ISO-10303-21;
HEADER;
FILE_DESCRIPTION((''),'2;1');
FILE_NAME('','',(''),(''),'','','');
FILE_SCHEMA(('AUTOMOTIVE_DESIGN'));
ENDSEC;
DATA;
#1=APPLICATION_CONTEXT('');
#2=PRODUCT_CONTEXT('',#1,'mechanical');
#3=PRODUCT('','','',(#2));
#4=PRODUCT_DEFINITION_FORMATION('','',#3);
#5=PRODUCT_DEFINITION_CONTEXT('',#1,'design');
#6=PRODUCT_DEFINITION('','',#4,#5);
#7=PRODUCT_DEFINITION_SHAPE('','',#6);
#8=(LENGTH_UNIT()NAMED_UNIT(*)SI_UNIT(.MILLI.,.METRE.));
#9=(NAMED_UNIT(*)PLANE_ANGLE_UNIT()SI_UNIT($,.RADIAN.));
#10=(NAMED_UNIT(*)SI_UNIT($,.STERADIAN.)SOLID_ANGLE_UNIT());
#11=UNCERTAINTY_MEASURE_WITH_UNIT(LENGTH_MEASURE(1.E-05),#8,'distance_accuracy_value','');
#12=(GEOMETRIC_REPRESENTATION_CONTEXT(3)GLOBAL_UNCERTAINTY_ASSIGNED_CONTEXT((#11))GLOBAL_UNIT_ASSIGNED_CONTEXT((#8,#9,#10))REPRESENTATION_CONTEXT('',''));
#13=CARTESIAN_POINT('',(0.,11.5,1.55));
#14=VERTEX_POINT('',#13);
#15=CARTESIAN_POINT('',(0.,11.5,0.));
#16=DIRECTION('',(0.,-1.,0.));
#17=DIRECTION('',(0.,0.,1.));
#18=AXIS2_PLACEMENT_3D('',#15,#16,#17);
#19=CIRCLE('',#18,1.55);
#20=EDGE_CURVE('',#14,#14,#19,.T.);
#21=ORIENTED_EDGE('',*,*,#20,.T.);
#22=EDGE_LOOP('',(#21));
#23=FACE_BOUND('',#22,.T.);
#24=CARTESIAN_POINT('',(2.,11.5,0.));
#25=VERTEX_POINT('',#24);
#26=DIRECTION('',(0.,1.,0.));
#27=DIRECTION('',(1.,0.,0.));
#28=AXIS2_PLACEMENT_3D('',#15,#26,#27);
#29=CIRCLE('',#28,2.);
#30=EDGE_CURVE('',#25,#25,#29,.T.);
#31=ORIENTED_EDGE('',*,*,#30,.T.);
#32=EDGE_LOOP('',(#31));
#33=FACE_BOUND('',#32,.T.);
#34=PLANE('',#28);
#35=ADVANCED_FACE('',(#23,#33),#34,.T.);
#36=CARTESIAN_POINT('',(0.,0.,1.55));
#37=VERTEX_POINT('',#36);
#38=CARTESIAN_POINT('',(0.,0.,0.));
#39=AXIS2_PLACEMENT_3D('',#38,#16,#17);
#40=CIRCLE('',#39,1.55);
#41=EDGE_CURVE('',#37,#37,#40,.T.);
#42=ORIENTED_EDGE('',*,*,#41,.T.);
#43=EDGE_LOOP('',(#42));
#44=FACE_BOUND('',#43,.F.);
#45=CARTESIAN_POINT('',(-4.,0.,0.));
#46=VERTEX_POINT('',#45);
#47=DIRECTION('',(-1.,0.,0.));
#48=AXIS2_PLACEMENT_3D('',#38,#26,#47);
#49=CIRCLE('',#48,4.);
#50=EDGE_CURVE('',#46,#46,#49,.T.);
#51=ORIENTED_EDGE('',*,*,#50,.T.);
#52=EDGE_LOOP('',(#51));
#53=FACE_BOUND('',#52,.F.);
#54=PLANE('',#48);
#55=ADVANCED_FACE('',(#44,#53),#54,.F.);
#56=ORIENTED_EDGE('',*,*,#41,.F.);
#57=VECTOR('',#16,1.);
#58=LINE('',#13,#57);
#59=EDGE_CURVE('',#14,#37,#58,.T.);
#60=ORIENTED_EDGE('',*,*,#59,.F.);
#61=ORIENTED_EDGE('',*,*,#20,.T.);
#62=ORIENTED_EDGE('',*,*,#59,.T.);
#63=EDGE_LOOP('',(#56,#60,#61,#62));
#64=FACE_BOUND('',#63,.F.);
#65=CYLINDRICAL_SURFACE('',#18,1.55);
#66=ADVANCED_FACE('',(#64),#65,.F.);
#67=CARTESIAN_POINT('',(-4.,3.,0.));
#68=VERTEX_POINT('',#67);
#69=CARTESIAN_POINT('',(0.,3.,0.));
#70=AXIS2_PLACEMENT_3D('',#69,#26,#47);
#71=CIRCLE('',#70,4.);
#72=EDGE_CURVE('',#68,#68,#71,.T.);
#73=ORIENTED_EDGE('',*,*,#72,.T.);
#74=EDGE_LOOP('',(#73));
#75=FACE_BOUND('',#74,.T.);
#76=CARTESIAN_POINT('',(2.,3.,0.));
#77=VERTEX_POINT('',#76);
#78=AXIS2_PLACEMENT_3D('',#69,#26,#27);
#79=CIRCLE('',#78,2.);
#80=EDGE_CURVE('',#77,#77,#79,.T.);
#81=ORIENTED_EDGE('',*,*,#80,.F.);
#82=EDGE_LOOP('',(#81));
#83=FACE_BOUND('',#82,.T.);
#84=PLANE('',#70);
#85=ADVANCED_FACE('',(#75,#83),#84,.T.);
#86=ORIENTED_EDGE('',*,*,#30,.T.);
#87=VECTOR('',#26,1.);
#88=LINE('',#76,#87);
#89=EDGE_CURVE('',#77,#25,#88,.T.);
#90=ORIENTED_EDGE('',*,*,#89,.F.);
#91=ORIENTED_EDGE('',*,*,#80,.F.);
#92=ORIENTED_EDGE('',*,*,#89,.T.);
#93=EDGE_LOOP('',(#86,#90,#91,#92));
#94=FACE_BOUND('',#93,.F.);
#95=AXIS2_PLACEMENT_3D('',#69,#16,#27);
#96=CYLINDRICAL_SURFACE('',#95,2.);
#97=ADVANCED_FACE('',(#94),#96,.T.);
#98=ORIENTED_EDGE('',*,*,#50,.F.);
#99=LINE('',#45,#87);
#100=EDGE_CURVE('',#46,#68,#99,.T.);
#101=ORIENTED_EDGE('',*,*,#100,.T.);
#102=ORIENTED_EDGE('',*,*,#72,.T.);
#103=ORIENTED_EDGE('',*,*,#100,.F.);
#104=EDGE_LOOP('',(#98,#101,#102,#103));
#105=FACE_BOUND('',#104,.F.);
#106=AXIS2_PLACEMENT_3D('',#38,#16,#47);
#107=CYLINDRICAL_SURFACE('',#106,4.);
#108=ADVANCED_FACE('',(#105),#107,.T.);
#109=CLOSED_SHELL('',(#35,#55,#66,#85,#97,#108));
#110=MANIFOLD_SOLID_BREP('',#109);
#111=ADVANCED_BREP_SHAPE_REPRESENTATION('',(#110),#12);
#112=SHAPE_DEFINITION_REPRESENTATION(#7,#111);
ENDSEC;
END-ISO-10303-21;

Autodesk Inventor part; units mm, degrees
ref_plane "YZ Plane" through (0, 0, 0) normal (1, 0, 0) x (0, 1, 0)
ref_plane "XZ Plane" through (0, 0, 0) normal (0, 1, 0) x (-1, 0, 0)
ref_plane "XY Plane" through (0, 0, 0) normal (0, 0, 1) x (1, 0, 0)
sketch "Sketch1" plane through (0, 0, 0) normal (0, 1, 0) x (-1, 0, 0)
  circle A0 centre (0, 0) radius 4
  dimension "d0" = 8
extrude "Extrusion1" add sketch "Sketch1" along normal blind 3
sketch "Sketch2" plane through (0, 3, 0) normal (0, 1, 0) x (1, 0, 0)
  circle A0 centre (0, 0) radius 2
  dimension "d3" = 4
extrude "Extrusion2" add sketch "Sketch2" along normal blind 8.5
sketch "Sketch3" plane through (0, 11.5, 0) normal (0, 1, 0) x (1, 0, 0)
  point P0 (0, 0)
hole "Hole1" at (0, 11.5, 0) direction (0, -1, 0) diameter 3.1 end through all clearance for "Flat Head Machine Screw" size "M3" standard "Ansi Metric M Profile"
properties part number "Tensioner"
